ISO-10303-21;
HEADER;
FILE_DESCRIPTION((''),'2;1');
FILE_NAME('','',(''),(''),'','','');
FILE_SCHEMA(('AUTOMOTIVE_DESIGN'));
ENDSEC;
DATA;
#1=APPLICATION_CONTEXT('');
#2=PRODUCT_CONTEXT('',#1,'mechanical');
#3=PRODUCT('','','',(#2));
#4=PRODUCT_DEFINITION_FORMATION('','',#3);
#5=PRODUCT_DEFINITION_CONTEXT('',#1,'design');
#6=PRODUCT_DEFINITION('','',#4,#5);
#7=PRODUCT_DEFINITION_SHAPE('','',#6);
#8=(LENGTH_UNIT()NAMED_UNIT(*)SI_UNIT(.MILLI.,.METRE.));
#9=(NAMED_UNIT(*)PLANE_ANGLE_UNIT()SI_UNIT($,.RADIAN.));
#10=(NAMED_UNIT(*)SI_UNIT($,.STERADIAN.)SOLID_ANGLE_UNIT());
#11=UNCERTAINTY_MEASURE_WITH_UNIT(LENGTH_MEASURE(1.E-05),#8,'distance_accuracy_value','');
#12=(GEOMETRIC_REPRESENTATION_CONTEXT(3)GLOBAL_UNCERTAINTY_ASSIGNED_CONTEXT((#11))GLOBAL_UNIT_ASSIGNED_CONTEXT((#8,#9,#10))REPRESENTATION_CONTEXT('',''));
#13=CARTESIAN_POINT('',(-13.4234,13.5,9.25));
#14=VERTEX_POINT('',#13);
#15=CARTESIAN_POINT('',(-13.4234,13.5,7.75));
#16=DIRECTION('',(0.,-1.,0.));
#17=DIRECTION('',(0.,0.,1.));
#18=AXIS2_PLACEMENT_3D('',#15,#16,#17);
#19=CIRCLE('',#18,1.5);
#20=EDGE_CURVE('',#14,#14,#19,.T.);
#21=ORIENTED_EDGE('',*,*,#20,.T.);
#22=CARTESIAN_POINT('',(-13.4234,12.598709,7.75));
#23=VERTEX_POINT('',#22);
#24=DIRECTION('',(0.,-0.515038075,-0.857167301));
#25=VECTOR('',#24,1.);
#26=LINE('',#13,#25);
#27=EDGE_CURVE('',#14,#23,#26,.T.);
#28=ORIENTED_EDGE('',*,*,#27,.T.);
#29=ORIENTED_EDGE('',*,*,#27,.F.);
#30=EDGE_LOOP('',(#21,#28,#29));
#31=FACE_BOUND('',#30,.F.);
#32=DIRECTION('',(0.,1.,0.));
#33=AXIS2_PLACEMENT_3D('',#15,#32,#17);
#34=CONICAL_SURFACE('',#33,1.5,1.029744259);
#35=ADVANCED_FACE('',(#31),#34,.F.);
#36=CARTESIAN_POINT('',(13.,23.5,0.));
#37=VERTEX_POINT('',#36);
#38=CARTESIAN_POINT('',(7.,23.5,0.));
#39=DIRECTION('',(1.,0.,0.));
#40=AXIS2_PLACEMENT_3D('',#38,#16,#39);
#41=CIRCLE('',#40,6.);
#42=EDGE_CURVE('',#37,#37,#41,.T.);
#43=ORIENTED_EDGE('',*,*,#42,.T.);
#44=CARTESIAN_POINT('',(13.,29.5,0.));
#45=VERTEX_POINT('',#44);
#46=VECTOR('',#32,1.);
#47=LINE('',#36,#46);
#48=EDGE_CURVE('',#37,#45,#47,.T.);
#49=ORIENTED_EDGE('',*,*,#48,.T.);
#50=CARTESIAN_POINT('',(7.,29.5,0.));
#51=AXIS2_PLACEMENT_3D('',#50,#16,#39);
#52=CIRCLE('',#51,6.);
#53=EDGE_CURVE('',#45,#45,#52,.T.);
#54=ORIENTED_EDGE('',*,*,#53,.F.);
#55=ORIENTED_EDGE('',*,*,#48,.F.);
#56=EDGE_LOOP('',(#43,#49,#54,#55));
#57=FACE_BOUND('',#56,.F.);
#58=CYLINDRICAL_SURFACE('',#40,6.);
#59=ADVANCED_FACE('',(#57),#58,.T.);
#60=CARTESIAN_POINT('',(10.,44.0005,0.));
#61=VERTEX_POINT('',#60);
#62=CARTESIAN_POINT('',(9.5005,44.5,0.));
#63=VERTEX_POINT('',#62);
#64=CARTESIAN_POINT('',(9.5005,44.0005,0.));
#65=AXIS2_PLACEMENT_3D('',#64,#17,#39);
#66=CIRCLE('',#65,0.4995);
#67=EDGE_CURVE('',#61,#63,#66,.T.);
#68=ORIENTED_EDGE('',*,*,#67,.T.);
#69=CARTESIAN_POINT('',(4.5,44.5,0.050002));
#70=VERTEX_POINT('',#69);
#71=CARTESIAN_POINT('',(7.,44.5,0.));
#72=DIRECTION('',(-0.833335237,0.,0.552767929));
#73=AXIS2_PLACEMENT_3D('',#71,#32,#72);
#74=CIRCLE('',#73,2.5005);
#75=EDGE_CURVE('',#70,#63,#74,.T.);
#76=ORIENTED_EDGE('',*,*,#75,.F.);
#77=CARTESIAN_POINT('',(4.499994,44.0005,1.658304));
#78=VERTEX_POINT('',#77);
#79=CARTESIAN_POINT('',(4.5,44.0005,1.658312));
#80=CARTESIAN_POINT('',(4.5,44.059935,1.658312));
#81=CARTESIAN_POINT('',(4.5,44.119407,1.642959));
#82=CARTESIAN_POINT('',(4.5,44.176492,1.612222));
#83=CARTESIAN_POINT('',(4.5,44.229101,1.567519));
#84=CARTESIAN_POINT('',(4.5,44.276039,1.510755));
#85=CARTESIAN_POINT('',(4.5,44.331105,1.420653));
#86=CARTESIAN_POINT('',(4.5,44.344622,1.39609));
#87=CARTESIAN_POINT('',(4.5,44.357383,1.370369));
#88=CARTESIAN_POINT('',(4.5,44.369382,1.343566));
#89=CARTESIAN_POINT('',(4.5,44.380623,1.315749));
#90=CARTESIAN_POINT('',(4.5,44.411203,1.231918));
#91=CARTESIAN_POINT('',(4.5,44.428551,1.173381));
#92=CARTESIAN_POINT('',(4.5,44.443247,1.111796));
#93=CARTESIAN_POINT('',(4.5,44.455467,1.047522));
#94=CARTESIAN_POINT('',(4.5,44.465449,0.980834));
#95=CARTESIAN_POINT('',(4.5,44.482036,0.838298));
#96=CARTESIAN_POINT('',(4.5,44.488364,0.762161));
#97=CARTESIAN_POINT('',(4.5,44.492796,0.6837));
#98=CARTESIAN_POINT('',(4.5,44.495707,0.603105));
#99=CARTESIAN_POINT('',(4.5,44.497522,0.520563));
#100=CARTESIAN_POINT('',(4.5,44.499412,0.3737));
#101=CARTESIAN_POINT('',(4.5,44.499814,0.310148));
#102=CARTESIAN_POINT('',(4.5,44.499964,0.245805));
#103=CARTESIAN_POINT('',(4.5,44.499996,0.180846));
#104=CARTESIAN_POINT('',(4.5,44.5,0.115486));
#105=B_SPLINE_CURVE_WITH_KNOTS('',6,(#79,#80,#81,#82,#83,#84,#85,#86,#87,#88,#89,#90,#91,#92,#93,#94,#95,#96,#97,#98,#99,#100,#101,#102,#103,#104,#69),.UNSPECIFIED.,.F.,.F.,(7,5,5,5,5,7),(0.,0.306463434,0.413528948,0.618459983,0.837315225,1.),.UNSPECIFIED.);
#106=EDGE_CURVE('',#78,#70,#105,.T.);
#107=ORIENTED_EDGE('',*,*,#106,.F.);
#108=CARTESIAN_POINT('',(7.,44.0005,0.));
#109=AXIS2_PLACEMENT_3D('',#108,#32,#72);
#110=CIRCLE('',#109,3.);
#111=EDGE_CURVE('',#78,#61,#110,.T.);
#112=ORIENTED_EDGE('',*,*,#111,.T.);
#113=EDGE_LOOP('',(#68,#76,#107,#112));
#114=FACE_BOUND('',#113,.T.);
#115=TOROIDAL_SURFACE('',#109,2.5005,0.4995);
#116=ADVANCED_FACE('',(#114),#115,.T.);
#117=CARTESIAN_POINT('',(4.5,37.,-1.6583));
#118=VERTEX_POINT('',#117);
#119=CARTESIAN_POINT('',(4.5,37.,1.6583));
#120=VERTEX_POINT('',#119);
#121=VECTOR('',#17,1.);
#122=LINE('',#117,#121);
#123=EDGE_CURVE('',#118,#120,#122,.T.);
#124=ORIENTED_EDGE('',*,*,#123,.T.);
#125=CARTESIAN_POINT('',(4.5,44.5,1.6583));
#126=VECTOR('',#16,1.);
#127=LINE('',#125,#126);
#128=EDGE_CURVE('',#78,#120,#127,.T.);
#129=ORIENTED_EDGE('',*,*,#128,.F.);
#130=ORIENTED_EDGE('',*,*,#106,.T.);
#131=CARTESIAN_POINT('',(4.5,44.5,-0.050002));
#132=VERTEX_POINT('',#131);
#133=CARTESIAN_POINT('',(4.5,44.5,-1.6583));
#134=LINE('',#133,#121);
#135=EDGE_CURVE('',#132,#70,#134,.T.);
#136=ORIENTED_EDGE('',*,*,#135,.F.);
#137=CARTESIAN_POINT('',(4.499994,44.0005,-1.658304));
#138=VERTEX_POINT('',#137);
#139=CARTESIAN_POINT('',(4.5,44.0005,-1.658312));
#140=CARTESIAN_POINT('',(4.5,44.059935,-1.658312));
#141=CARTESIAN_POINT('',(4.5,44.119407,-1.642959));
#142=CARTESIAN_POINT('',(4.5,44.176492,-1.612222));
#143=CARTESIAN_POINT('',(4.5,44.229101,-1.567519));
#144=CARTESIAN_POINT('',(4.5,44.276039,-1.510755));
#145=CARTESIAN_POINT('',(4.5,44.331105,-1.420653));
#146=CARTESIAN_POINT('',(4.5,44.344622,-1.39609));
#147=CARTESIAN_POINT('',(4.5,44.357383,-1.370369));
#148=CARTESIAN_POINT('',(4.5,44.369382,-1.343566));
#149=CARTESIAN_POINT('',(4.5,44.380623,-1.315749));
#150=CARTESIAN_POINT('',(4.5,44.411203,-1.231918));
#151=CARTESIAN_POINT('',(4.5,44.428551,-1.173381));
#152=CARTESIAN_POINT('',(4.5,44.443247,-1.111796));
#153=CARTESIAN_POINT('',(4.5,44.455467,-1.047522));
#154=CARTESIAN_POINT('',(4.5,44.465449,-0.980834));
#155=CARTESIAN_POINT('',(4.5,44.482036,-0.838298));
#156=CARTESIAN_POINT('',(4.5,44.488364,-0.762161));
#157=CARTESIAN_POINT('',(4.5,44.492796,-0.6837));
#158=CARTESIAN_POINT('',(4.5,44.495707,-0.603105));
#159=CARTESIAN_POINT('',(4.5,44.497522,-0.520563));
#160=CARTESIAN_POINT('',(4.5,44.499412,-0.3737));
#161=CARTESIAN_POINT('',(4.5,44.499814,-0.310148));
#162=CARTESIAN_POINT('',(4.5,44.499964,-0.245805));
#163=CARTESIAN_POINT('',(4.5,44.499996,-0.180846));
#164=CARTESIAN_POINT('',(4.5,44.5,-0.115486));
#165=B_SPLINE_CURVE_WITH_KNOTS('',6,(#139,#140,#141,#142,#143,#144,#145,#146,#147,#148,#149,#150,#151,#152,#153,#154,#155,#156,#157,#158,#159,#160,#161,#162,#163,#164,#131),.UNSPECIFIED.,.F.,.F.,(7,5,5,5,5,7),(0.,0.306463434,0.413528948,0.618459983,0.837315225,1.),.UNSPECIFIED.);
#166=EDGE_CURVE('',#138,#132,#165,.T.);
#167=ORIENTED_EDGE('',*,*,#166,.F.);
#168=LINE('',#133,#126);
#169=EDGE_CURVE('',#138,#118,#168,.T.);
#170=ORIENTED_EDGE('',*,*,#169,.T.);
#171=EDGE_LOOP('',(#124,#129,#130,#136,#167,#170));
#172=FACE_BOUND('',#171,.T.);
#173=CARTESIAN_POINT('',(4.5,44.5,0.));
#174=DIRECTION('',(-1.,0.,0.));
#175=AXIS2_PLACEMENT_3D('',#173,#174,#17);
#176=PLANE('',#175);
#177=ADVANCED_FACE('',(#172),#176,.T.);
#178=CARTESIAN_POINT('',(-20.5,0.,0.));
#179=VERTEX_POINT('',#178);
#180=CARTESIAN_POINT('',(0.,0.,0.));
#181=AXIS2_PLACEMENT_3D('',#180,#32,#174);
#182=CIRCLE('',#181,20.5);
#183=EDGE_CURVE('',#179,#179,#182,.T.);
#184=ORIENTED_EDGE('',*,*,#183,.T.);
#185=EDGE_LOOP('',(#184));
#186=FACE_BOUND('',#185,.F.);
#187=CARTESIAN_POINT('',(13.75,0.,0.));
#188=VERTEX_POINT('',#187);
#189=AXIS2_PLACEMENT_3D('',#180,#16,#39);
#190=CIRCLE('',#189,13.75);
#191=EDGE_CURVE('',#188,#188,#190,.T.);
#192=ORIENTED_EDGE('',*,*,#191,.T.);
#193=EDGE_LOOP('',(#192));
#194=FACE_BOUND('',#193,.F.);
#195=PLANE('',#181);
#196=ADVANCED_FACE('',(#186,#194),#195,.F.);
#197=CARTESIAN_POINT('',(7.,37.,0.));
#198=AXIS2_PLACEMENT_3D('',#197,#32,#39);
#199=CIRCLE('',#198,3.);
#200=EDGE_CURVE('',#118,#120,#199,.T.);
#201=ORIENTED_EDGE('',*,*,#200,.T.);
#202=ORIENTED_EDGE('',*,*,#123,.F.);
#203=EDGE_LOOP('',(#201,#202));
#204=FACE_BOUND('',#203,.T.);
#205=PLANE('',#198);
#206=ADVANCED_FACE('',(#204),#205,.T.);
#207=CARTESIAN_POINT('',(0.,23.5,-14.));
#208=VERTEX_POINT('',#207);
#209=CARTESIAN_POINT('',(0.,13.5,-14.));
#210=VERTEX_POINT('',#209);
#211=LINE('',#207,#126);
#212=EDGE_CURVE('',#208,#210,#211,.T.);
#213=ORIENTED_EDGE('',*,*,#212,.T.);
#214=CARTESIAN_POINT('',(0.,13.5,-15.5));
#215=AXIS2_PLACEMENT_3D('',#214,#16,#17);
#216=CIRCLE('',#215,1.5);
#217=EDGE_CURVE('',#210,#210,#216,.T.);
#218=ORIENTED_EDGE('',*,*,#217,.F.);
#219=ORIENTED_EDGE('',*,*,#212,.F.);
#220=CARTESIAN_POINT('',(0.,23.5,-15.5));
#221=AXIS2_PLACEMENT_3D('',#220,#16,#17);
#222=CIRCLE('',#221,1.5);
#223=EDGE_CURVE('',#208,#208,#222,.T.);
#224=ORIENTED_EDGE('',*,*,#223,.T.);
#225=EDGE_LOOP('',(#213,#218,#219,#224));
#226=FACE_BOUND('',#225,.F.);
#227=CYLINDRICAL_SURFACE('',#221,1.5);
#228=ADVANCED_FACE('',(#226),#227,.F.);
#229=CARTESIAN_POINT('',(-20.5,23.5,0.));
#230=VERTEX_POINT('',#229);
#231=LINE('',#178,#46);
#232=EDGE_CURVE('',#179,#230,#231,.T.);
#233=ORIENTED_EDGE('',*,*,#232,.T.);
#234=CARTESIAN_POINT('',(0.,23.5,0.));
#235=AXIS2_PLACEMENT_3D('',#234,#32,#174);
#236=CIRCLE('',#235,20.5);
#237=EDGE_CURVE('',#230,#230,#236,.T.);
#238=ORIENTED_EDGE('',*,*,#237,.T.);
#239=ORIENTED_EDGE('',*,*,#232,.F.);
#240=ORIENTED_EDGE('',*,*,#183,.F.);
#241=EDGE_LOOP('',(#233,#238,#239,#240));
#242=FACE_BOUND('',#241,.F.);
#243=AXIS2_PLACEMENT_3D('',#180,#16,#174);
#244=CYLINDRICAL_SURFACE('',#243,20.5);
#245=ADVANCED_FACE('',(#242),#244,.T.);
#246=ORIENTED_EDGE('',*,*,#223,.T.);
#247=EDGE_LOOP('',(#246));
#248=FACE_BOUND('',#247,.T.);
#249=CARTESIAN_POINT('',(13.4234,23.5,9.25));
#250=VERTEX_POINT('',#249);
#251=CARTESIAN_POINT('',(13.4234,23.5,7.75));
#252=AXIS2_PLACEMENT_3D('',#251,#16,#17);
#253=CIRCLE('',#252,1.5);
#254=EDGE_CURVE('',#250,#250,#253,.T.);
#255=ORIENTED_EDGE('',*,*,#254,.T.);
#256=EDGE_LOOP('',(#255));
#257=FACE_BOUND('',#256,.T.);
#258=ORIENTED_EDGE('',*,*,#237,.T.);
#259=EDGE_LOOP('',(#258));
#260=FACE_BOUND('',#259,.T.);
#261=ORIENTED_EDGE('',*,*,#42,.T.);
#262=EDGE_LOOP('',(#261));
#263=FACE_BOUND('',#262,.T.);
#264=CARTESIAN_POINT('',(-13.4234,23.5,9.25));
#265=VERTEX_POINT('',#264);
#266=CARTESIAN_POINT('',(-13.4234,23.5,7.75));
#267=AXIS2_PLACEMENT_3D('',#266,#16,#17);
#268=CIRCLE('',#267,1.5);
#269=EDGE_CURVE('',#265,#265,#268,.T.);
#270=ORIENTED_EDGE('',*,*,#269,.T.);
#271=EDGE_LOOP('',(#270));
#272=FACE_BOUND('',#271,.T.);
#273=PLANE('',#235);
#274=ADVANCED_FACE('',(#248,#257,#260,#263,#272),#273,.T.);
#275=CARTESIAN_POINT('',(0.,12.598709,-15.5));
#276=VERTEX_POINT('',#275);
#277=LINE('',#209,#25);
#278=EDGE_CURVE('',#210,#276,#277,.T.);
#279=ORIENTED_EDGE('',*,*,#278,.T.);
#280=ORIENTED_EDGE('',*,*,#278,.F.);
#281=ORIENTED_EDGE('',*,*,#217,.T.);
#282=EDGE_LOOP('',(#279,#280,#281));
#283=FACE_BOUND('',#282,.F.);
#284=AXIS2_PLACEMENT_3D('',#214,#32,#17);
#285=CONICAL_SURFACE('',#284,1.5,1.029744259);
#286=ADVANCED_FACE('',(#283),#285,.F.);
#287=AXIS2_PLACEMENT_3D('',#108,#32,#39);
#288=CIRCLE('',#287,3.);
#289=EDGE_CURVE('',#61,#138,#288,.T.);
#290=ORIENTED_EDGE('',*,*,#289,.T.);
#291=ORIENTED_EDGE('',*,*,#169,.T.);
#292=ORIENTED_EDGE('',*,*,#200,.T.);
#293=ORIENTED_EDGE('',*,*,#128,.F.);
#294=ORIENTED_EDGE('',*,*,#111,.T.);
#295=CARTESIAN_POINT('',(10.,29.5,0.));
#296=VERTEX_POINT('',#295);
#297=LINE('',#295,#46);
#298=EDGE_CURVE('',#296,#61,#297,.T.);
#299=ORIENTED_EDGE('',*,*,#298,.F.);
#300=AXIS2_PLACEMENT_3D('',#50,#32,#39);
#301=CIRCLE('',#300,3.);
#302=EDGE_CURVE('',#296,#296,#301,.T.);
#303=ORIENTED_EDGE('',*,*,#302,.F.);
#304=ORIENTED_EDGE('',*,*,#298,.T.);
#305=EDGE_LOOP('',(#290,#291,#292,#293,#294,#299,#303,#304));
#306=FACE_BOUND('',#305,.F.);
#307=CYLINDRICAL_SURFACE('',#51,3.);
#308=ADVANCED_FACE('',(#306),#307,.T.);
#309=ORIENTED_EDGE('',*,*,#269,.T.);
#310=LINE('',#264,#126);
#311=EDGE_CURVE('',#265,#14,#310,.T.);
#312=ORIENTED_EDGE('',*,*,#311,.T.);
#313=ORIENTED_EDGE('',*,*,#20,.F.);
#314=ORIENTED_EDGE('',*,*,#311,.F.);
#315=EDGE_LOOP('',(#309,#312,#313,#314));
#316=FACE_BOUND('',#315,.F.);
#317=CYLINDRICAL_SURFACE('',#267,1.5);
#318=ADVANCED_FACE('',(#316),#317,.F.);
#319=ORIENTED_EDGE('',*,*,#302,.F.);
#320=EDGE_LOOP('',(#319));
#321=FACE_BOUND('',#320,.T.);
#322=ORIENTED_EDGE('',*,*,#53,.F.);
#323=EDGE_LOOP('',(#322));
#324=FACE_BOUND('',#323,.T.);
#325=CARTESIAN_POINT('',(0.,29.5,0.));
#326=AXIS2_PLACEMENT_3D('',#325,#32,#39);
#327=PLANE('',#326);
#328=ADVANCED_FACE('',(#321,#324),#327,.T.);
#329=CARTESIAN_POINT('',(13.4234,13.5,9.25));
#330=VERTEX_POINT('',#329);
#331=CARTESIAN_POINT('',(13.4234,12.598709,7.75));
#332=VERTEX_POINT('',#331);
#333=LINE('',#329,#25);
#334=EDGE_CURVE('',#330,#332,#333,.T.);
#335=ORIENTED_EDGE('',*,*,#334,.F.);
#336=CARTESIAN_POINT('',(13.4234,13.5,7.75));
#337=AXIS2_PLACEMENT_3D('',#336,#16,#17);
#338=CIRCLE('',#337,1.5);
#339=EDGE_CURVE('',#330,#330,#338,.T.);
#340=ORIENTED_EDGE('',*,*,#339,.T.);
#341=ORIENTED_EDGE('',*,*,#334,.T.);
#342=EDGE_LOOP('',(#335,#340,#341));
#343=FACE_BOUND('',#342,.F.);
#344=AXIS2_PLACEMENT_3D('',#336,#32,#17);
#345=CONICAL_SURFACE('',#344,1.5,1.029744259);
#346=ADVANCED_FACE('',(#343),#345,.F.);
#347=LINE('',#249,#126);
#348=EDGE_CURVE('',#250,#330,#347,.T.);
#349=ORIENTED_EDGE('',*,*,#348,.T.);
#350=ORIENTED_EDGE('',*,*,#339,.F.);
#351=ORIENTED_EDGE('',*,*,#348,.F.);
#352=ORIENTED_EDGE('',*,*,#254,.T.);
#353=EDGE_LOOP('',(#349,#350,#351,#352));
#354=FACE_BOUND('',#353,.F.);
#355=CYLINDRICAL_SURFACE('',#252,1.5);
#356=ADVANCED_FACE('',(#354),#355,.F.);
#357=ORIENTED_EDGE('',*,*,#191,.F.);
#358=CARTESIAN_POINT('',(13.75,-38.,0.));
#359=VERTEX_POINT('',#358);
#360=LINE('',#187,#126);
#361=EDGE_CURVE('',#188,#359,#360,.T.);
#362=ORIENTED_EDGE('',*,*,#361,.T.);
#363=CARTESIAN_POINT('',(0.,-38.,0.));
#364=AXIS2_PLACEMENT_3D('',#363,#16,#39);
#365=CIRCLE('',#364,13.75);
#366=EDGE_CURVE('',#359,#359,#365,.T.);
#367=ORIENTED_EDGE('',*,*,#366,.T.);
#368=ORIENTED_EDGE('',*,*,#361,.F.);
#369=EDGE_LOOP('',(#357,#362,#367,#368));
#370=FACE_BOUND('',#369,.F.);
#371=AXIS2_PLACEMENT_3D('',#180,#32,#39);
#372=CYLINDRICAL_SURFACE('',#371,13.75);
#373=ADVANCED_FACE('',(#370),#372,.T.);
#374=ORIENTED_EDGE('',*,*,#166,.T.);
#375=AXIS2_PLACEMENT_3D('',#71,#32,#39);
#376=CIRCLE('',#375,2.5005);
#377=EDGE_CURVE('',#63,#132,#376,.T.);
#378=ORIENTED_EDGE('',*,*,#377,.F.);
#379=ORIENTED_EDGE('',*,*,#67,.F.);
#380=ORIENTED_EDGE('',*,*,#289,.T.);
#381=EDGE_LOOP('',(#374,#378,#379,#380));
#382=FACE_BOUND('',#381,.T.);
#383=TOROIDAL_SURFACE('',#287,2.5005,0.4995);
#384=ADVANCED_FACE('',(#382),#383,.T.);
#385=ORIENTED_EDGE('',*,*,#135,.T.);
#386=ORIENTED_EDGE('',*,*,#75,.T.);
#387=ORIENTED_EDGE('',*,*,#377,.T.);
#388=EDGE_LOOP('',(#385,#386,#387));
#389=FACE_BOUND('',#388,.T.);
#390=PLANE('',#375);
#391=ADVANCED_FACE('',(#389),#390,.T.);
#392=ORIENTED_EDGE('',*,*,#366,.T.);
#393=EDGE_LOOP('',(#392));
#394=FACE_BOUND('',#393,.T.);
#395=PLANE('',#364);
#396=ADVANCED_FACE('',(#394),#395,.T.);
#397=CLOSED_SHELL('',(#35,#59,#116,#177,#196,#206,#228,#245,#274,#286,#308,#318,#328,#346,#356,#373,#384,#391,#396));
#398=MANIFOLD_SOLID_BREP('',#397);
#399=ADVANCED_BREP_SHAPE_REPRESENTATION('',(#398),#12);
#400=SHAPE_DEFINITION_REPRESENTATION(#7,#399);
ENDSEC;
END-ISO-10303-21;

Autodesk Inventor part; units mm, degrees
ref_plane "YZ Plane" through (0, 0, 0) normal (1, 0, 0) x (0, 1, 0)
ref_plane "XZ Plane" through (0, 0, 0) normal (0, 1, 0) x (-1, 0, 0)
ref_plane "XY Plane" through (0, 0, 0) normal (0, 0, 1) x (1, 0, 0)
sketch "スケッチ1" plane through (0, 0, 0) normal (0, 1, 0) x (-1, 0, 0)
  circle A0 centre (0, 0) radius 20.5
  dimension "d0" = 41
extrude "押し出し1" add sketch "スケッチ1" along normal blind 23.5
sketch "スケッチ2" plane through (0, 23.5, 0) normal (0, 1, 0) x (1, 0, 0)
  line L0 (0, 0) -> (7, 0)
  circle A0 centre (7, 0) radius 6
  dimension "d3" = 7
  dimension "d4" = 12
extrude "押し出し2" add sketch "スケッチ2" along normal blind 6
sketch "スケッチ3" plane through (7, 29.5, 0) normal (0, 1, 0) x (1, 0, 0)
  circle A0 centre (0, 0) radius 3
  point P0 (-7, 0)
  dimension "d7" = 6
extrude "押し出し3" add sketch "スケッチ3" along normal blind 15
sketch "スケッチ6" plane through (0, 23.5, 0) normal (0, 1, 0) x (1, 0, 0)
  circle A0 centre (0, 0) radius 15.5
  line L0 (0, 0) -> (23.5113, 0) construction
  line L1 (0, 0) -> (25.2681, -14.5885)
  line L2 (0, 0) -> (29.1771, 0) construction
  line L3 (0, 0) -> (-23.275, -13.4378)
  line L4 (0, 0) -> (26.8756, 0) construction
  point P0 (0, 15.5)
  point P1 (-13.4234, -7.75)
  point P2 (13.4234, -7.75)
  dimension "d31" = 31
  dimension "d33" = 30
  dimension "d34" = 150
hole "穴3" at (0, 23.5, -15.5) at (-13.4234, 23.5, 7.75) at (13.4234, 23.5, 7.75) direction (0, -1, 0) diameter 3 depth 10 tip angle 118
sketch "スケッチ7" plane through (0, 0, 0) normal (0, -1, 0) x (1, 0, 0)
  circle A0 centre (0, 0) radius 13.75
  dimension "d42" = 27.5
extrude "押し出し4" add sketch "スケッチ7" along normal blind 38
sketch "スケッチ8" plane through (7, 44.5, 0) normal (0, 1, 0) x (1, 0, 0)
  line L0 (-2.5, 0) -> (-2.5, 1.6583)
  circle A0 centre (0, 0) radius 3 projected
  line L1 (-2.5, 0) -> (-2.5, -1.6583)
  arc A1 (-2.5, 1.6583) -> (-2.5, -1.6583) centre (0, 0) ccw
  point P0 (-7, 0)
extrude "押し出し5" cut sketch "スケッチ8" against normal blind 7.5 contours L1 A0 L0 picked at (-2.6056, -0.897)
fillet "フィレット2" radius 0.5 1 edges at (7.866, 44.5, 2.8723)
properties part number "tamiya"
